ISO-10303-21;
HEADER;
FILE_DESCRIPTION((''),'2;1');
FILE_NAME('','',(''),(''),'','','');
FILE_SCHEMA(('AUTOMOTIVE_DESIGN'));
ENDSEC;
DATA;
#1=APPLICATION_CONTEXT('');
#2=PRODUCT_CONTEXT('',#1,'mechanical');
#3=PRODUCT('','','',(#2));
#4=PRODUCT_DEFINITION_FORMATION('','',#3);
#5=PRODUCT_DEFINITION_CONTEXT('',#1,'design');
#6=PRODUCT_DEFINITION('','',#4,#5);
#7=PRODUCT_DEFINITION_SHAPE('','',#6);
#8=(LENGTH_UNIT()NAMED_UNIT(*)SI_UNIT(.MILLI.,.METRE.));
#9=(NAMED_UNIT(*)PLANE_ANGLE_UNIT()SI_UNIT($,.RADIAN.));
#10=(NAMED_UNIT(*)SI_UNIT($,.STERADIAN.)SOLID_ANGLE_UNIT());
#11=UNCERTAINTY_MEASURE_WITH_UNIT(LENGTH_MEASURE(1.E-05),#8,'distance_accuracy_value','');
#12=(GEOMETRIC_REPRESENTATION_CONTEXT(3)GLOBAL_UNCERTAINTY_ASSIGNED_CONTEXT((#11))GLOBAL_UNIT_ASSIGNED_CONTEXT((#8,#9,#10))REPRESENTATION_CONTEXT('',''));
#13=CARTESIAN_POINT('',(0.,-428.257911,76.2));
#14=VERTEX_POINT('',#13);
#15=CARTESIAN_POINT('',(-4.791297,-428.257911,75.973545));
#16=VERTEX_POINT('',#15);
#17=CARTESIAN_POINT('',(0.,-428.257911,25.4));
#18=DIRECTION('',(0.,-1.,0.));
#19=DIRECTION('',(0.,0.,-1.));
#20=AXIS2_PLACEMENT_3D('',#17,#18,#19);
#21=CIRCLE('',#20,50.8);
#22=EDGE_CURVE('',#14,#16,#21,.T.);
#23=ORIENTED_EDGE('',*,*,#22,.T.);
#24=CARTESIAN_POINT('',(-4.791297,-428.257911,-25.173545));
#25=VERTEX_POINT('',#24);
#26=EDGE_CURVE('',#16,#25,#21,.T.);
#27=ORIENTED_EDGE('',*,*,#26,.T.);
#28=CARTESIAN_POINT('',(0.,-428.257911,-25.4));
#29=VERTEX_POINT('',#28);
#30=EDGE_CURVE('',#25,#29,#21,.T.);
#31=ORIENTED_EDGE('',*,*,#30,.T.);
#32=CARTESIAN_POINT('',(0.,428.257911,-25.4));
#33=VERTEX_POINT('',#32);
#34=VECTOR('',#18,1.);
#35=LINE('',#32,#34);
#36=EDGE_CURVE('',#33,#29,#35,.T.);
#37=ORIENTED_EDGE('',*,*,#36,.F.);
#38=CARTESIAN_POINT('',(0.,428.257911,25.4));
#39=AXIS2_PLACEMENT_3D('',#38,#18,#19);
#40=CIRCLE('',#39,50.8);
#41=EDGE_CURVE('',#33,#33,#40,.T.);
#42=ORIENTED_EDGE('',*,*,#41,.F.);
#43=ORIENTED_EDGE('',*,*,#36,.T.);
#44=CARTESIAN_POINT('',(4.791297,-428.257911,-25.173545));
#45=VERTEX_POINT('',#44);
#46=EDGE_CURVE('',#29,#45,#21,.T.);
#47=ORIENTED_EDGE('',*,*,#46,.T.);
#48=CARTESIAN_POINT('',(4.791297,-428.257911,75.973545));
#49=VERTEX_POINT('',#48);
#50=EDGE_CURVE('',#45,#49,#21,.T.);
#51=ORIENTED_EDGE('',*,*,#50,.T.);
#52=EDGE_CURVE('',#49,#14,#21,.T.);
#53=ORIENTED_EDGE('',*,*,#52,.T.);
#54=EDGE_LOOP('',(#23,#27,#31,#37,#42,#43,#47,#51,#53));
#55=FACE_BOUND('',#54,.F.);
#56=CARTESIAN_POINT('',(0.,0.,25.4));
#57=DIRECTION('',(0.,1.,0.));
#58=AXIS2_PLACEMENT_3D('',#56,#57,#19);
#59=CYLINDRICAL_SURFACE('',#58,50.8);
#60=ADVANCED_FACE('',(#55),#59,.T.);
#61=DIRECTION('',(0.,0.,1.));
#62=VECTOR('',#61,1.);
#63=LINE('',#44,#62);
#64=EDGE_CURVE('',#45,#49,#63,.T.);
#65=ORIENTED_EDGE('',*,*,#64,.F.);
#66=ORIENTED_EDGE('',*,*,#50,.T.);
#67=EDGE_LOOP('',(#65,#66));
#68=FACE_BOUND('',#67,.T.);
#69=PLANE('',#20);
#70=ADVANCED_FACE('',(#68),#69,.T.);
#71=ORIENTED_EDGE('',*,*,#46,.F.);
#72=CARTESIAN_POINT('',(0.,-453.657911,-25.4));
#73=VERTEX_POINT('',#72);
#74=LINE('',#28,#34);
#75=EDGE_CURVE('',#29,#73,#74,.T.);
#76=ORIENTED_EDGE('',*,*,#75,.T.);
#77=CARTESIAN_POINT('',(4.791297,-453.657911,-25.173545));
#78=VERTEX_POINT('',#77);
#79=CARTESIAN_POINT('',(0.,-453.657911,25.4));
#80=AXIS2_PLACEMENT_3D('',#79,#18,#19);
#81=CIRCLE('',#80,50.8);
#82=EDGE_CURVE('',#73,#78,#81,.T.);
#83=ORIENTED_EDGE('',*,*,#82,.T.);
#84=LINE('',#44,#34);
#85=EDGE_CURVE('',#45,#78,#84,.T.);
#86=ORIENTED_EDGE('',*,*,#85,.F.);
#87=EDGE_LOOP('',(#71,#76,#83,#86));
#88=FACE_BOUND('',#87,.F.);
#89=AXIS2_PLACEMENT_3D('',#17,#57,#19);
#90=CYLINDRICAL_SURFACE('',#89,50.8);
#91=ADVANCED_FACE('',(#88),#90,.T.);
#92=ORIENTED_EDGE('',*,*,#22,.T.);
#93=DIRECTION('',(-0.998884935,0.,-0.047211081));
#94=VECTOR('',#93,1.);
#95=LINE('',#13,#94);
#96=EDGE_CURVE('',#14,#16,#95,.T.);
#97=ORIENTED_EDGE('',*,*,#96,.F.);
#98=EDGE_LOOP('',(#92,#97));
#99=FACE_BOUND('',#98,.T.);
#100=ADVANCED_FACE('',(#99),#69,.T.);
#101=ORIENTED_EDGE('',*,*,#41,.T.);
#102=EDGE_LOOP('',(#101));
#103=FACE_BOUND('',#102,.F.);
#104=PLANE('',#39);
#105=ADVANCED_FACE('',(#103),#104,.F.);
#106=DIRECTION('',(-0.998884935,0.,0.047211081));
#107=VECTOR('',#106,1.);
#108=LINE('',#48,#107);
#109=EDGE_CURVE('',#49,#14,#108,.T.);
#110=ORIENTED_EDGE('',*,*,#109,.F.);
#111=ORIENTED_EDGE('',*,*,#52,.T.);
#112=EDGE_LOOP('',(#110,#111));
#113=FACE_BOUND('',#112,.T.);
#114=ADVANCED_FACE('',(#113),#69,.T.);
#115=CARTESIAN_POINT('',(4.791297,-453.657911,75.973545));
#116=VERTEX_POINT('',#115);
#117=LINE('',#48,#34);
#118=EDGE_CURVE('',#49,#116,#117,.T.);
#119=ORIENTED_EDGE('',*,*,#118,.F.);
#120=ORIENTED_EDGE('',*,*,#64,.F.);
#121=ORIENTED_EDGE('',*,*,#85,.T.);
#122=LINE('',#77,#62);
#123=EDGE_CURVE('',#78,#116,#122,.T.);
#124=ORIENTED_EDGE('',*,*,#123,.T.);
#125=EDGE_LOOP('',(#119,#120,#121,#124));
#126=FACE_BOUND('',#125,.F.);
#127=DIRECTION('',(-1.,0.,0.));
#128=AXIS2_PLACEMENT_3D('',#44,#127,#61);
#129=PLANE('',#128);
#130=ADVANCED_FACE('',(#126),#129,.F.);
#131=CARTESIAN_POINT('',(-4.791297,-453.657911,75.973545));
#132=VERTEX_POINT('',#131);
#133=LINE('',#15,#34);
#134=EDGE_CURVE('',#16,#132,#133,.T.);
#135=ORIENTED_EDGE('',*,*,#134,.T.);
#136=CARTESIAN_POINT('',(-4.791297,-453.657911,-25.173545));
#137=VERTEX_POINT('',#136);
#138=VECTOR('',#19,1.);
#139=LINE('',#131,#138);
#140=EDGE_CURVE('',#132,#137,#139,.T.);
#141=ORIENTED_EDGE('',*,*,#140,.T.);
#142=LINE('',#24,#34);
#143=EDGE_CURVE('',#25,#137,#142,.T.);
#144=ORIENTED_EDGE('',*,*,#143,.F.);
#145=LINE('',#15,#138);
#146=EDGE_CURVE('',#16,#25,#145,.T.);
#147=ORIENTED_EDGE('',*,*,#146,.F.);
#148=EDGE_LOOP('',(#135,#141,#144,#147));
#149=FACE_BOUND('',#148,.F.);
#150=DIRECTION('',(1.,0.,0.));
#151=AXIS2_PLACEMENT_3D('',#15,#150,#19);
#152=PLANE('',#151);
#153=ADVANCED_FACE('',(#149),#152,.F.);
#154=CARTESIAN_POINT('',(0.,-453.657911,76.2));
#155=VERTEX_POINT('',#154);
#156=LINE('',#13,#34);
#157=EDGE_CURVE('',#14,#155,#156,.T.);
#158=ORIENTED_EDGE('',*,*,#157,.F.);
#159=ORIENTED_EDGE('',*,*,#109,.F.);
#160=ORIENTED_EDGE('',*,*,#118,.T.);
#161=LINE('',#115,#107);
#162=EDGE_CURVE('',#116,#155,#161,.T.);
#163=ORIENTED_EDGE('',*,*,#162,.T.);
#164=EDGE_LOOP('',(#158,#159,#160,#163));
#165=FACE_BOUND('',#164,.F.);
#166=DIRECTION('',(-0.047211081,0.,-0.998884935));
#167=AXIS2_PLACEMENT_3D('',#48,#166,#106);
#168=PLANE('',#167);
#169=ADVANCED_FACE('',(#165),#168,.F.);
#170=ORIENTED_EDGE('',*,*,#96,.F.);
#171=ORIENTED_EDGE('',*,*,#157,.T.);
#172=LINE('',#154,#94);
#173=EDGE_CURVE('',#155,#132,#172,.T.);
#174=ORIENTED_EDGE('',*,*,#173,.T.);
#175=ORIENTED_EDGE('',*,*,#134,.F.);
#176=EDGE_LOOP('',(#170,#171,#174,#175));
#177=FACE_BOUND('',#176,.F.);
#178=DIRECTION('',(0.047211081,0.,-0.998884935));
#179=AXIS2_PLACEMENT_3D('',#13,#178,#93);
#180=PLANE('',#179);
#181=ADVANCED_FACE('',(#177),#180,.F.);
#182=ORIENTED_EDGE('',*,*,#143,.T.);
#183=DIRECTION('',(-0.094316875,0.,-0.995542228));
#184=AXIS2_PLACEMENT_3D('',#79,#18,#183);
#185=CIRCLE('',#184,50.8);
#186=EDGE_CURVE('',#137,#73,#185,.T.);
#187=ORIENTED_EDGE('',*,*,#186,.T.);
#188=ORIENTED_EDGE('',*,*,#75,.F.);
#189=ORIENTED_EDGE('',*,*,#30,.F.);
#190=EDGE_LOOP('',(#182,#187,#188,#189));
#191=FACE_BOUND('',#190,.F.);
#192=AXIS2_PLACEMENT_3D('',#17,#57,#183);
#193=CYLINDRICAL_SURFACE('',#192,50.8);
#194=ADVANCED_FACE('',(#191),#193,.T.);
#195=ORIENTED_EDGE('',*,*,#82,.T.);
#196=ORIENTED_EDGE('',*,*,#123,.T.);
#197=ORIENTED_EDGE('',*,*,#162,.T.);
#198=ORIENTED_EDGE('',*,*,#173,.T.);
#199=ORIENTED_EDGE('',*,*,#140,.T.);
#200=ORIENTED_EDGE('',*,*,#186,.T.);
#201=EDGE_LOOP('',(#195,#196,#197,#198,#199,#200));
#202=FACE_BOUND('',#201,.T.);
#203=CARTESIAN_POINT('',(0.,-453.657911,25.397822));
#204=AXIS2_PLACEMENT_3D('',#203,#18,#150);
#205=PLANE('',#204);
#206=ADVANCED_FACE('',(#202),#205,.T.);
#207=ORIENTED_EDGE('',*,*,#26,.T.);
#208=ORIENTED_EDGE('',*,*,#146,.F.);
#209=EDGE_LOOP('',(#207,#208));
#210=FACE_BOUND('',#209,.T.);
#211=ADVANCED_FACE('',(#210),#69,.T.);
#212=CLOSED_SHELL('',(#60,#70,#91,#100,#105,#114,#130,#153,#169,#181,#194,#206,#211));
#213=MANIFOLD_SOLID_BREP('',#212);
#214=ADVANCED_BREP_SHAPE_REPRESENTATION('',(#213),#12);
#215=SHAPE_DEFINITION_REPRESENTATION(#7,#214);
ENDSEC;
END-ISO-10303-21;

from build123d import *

# Parameters (mm, degrees)
F0_W     = 856.515822627
F0_H     = 50.8
F3_DEPTH = 25.4
F4_DEPTH = 0.508


with BuildPart() as f1:
    # F0 (on Right) → F1 (revolve)
    with BuildSketch(Plane.YZ):
        Rectangle(F0_W, F0_H)
    revolve(axis=Axis((0, 0, 25.4), (0, -1, 0)))

    # F2 (on face) → F3 (join)
    with BuildSketch(Plane.XZ.offset(428.2579113135)):
        with BuildLine():
            Line((-4.7912972498, 75.9735451661), (-4.7912972498, -25.1735451661))
            ThreePointArc((-4.7912972498, -25.1735451661), (-2.3983229103, -25.3433547099), (0, -25.4))
            ThreePointArc((0, -25.4), (2.3983229103, -25.3433547099), (4.7912972498, -25.1735451661))
            Line((4.7912972498, -25.1735451661), (4.7912972498, 75.9735451661))
            Line((4.7912972498, 75.9735451661), (0, 76.2))
            Line((0, 76.2), (-4.7912972498, 75.9735451661))
        make_face()
    extrude(amount=F3_DEPTH)

    # F2 (on face) → F4 (join)
    with BuildSketch(Plane.XZ.offset(428.2579113135)):
        with BuildLine():
            Line((-4.7912972498, 75.9735451661), (-4.7912972498, -25.1735451661))
            ThreePointArc((-4.7912972498, -25.1735451661), (-2.3983229103, -25.3433547099), (0, -25.4))
            ThreePointArc((0, -25.4), (2.3983229103, -25.3433547099), (4.7912972498, -25.1735451661))
            Line((4.7912972498, -25.1735451661), (4.7912972498, 75.9735451661))
            Line((4.7912972498, 75.9735451661), (0, 76.2))
            Line((0, 76.2), (-4.7912972498, 75.9735451661))
        make_face()
    extrude(amount=-F4_DEPTH)


solid = f1.part
